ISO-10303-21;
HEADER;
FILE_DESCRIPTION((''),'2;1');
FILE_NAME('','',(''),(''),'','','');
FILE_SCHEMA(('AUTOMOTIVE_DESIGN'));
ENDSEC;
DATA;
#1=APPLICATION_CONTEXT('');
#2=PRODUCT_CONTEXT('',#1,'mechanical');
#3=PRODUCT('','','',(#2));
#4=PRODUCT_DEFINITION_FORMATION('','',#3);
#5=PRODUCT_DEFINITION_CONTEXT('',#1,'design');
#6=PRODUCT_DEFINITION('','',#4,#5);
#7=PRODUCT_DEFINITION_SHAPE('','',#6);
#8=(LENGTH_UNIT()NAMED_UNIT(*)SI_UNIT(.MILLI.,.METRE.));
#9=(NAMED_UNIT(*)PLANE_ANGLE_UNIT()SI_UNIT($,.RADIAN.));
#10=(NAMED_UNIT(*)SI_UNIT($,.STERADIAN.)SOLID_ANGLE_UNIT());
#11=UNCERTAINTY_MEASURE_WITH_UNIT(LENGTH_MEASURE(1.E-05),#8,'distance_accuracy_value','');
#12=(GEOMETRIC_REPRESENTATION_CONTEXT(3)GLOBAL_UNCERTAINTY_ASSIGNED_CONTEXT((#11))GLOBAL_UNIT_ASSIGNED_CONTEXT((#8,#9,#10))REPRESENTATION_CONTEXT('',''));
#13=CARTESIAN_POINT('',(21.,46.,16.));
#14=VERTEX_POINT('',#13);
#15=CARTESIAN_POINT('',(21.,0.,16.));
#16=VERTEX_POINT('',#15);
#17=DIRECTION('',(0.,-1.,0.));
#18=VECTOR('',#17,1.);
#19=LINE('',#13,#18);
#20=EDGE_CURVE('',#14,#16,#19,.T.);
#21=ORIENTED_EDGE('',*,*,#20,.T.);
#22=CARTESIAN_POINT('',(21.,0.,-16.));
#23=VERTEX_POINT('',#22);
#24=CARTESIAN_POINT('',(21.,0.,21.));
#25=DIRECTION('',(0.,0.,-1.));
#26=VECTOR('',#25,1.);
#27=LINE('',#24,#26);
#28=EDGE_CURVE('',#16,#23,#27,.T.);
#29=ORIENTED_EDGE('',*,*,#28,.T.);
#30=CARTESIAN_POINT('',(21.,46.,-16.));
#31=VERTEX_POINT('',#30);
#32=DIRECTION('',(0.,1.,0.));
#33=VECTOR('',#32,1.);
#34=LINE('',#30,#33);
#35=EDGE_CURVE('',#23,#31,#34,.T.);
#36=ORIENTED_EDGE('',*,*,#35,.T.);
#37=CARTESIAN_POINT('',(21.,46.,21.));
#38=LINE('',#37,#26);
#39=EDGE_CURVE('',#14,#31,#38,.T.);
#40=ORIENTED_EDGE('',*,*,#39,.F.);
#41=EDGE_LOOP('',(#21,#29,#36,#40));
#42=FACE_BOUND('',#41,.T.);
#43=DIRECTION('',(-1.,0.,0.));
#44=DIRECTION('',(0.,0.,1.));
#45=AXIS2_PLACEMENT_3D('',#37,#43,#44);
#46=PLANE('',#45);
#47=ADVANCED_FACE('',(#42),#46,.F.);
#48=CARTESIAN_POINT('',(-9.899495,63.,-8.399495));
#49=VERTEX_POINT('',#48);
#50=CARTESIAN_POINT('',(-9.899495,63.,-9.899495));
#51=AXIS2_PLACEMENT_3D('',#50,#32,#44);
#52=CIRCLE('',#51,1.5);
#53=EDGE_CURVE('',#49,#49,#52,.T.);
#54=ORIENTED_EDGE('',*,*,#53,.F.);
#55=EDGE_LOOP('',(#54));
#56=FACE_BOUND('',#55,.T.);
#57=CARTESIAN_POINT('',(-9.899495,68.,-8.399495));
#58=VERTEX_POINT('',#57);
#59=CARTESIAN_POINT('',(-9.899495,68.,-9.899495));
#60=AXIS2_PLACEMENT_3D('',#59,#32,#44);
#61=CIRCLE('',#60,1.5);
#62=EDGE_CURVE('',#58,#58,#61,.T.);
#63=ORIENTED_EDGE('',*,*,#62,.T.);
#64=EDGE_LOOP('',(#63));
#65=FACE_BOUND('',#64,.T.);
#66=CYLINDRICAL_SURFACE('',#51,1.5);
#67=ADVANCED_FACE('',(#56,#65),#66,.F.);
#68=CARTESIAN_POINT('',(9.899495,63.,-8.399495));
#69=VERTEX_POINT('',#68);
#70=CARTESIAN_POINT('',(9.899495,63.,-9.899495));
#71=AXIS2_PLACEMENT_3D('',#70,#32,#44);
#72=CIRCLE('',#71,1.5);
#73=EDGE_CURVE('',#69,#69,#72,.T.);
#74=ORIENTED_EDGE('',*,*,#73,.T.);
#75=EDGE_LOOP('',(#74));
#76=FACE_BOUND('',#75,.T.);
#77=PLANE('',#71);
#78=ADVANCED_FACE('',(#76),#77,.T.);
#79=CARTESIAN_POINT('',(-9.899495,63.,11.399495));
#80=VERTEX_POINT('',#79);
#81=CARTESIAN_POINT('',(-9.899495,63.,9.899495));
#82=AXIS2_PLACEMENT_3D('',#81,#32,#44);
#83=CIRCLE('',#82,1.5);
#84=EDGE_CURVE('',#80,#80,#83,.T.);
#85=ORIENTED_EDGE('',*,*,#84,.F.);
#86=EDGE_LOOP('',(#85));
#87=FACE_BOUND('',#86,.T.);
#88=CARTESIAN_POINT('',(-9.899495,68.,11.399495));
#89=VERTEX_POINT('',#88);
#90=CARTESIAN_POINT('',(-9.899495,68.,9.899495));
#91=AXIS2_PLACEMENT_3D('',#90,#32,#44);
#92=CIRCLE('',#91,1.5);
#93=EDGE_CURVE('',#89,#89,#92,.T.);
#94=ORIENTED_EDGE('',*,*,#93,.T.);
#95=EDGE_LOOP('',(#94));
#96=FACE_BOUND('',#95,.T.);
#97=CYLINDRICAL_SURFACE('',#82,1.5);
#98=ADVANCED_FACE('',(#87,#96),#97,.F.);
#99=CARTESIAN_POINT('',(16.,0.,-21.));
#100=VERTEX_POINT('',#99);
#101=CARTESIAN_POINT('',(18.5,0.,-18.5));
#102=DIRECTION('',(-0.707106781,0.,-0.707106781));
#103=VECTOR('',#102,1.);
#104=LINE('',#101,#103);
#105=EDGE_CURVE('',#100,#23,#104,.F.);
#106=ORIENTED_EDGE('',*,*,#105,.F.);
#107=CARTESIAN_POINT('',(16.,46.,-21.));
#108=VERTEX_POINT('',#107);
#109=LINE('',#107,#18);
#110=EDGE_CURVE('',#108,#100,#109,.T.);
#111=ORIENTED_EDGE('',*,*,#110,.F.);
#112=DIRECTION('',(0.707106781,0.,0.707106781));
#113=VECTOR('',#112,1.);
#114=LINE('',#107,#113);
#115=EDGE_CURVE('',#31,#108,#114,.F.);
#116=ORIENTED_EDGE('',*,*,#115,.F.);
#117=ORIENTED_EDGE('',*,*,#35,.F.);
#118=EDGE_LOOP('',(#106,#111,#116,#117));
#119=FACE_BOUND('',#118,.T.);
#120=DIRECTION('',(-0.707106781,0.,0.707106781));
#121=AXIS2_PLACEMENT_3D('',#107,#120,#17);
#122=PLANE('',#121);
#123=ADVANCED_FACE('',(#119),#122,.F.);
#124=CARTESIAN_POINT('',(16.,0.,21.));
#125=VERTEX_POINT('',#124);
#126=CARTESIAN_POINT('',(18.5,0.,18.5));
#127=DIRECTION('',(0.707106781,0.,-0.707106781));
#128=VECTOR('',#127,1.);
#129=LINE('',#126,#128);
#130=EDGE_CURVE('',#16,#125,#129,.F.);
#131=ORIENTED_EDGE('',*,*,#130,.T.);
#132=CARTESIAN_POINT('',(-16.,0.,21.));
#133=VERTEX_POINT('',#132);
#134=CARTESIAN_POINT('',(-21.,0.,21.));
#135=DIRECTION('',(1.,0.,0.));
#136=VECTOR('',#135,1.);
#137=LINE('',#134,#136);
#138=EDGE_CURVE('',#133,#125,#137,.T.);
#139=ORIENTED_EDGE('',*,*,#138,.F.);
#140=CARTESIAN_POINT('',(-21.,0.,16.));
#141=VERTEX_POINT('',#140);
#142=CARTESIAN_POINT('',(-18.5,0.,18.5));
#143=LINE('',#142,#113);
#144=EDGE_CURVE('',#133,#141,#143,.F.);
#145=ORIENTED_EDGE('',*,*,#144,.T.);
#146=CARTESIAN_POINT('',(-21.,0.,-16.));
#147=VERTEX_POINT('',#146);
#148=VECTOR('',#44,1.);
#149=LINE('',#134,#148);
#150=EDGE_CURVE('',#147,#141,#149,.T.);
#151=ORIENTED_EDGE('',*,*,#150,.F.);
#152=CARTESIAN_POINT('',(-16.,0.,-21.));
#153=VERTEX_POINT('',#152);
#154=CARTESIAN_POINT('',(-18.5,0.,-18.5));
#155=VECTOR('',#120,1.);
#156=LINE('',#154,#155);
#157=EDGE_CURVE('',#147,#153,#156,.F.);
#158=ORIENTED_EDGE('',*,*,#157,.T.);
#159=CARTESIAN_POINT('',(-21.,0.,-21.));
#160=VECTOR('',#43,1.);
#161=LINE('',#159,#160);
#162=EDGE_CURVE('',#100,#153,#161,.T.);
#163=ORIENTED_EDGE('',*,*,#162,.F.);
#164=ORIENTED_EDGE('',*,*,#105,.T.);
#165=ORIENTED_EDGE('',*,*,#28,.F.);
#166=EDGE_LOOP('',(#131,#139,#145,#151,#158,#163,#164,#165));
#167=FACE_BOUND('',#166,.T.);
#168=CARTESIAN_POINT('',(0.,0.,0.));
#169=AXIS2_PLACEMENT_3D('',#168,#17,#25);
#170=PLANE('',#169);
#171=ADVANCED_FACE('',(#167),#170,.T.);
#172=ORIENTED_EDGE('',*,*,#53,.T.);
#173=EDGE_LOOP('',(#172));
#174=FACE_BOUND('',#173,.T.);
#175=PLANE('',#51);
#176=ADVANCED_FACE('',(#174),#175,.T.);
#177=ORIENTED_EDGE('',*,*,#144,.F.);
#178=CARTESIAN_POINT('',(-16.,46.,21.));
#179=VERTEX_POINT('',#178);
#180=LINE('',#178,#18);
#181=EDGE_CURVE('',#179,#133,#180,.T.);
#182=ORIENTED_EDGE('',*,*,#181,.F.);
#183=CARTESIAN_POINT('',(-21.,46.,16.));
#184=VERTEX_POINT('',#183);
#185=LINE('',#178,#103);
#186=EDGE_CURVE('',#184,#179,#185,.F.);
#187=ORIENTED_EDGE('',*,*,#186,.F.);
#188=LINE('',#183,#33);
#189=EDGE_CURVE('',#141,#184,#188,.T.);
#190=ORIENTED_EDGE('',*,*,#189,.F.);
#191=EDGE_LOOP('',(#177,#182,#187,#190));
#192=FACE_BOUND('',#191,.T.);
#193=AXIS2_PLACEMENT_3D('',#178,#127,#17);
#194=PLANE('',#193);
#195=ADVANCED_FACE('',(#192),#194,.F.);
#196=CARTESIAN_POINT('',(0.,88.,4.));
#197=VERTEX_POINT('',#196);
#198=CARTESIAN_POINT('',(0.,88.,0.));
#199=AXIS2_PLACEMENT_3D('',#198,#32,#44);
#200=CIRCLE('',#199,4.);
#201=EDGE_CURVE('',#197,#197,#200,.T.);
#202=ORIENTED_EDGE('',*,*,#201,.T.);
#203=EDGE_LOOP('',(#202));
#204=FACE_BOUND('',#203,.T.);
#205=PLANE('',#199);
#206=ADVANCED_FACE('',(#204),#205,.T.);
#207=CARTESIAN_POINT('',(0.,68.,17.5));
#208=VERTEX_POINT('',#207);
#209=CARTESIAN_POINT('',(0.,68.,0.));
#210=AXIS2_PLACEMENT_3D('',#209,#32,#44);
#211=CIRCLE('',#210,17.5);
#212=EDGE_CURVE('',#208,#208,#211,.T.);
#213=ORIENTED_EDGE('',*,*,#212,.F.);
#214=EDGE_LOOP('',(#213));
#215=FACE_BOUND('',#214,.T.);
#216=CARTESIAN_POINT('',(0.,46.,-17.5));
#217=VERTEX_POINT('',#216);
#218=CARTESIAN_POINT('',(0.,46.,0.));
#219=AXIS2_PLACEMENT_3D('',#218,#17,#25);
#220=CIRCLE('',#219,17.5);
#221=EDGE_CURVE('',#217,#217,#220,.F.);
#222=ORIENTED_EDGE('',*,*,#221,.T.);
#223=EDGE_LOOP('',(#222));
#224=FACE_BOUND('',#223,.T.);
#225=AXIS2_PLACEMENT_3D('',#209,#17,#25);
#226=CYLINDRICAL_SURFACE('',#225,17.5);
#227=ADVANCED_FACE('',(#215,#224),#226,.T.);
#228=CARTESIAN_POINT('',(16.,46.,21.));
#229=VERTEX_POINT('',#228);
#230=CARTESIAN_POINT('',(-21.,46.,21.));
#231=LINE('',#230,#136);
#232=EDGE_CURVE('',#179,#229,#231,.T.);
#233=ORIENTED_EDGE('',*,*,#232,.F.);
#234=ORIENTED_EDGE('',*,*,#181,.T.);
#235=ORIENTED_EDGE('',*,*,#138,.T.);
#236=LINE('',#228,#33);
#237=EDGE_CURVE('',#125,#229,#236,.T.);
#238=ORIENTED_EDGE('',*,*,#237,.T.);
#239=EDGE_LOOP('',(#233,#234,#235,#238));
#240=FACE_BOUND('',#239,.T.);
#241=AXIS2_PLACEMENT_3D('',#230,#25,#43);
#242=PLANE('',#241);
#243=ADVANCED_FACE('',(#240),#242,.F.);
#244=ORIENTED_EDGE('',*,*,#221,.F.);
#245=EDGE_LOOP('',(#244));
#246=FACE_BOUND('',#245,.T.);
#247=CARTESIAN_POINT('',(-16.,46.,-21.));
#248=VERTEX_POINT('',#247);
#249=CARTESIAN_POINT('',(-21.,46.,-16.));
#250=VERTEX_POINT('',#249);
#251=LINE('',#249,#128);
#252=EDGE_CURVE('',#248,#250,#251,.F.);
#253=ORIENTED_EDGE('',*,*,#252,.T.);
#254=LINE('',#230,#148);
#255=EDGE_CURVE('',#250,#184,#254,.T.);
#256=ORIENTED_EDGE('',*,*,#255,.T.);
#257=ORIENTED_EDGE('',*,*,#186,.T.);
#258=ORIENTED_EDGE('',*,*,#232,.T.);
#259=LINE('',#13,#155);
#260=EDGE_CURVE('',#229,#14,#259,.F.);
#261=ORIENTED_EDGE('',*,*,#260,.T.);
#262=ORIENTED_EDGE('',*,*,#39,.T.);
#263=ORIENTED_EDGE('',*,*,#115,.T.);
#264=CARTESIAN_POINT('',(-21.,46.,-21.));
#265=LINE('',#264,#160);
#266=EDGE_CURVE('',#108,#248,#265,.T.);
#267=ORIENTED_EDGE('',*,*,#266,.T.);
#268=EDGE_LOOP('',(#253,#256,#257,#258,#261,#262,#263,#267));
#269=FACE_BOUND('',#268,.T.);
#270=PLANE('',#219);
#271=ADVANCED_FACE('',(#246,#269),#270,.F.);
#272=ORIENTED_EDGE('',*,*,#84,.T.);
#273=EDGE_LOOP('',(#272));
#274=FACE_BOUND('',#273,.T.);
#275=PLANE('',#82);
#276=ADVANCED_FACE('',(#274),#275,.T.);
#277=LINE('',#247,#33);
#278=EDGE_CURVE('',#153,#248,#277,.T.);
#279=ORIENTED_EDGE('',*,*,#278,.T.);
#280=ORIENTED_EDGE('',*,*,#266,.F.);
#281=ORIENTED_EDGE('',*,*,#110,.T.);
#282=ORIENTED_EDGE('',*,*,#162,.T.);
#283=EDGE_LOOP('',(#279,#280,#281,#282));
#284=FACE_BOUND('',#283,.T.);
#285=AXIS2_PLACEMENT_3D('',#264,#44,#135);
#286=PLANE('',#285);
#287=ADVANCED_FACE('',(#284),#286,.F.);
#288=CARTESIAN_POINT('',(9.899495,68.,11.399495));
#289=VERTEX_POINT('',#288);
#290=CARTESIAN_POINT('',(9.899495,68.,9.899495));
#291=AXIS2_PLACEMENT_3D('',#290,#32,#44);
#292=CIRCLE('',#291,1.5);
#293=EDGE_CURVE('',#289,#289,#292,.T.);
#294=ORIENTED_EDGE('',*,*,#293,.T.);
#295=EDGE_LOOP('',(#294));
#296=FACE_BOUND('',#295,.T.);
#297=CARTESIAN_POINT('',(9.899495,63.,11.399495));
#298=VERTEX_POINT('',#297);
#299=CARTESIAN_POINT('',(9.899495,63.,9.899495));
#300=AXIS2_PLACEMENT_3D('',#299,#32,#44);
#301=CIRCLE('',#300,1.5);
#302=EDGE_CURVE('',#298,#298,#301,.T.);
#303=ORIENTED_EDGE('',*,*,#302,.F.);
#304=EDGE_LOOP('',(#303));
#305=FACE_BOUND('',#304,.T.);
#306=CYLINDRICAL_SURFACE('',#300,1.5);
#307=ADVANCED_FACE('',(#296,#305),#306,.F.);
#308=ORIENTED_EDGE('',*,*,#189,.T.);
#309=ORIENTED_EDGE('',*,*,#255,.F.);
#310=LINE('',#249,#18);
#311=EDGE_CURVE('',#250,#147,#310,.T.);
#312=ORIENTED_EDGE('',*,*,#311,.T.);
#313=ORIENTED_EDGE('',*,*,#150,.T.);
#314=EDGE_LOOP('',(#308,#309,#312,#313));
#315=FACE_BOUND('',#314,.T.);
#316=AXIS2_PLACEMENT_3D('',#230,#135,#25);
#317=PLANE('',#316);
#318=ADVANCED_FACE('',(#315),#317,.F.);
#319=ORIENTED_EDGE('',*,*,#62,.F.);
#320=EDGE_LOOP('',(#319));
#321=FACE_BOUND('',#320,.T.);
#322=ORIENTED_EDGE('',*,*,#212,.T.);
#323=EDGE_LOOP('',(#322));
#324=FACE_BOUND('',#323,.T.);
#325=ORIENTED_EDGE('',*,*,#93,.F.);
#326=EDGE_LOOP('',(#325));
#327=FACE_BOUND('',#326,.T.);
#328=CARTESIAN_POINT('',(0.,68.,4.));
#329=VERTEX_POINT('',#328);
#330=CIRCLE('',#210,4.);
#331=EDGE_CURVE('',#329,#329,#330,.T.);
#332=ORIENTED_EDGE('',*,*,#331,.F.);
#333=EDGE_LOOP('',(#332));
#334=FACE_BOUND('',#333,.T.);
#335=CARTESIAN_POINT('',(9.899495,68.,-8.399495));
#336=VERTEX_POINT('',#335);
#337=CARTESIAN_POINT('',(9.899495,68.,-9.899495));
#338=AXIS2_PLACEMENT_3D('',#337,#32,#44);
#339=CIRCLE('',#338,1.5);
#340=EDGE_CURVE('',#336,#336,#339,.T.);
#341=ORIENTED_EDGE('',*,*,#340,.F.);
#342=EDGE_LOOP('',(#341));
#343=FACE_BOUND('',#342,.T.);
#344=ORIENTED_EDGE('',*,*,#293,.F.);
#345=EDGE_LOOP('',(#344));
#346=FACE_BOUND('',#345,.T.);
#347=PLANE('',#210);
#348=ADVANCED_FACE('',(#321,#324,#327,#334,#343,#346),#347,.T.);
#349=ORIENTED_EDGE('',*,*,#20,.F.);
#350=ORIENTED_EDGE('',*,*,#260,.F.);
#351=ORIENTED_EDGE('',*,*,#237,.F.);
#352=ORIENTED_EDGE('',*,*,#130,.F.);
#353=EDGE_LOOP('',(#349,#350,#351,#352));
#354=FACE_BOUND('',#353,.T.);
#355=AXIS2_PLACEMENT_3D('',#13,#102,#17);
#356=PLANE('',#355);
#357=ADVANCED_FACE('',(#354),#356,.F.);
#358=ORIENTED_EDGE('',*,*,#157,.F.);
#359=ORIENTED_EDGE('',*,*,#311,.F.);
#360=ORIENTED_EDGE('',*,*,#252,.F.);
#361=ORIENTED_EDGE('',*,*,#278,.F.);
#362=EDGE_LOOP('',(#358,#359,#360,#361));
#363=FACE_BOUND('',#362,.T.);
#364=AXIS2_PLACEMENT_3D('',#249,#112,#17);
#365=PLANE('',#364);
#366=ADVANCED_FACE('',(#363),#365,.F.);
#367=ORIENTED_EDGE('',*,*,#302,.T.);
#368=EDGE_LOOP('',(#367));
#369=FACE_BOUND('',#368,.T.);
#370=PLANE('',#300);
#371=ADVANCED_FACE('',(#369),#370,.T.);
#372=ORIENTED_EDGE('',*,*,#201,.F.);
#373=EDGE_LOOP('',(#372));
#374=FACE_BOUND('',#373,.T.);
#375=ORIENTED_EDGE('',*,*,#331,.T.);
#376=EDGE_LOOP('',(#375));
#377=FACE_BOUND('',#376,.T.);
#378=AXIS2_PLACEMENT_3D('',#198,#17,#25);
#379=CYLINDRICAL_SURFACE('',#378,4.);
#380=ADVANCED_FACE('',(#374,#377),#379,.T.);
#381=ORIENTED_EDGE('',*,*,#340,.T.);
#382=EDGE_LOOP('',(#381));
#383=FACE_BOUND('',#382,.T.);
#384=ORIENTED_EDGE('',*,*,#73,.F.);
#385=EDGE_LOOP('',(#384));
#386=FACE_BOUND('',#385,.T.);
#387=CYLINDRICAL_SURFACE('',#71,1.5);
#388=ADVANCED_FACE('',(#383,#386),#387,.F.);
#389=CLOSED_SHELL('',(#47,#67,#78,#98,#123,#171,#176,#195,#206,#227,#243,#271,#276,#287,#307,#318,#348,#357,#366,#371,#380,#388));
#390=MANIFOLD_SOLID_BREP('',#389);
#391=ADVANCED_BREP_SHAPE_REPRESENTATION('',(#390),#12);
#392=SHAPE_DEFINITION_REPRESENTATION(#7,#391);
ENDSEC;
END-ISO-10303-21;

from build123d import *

# Parameters (mm, degrees)
SKETCH1_W           = 42
SKETCH1_H           = 42
BOSS_EXTRUDE1_DEPTH = 46
CHAMFER1_SIZE       = 5
SKETCH5_R           = 17.5
BOSS_EXTRUDE4_DEPTH = 22
SKETCH6_R           = 4
BOSS_EXTRUDE5_DEPTH = 20
SKETCH7_R           = 1.5
CUT_EXTRUDE2_DEPTH  = 5


with BuildPart() as part:
    # Sketch1 → Boss-Extrude1 (new body)
    with BuildSketch(Plane(origin=(0, 0, 0), x_dir=(1, 0, 0), z_dir=(0, 1, 0))):
        Rectangle(SKETCH1_W, SKETCH1_H)
    extrude(amount=BOSS_EXTRUDE1_DEPTH)

    # Chamfer1
    chamfer1_edges = [part.edges().sort_by_distance(p)[0] for p in [
        (21, 23, 21),
        (-21, 23, 21),
        (-21, 23, -21),
        (21, 23, -21),
    ]]
    chamfer(chamfer1_edges, length=CHAMFER1_SIZE)

    # Sketch5 → Boss-Extrude4 (add)
    with BuildSketch(Plane(origin=(0, 46, 0), x_dir=(1, 0, 0), z_dir=(0, 1, 0))):
        with Locations(Location((0, 0, 0), (0, 0, 90))):
            Circle(SKETCH5_R)
    extrude(amount=BOSS_EXTRUDE4_DEPTH)

    # Sketch6 → Boss-Extrude5 (add)
    with BuildSketch(Plane(origin=(0, 68, 0), x_dir=(1, 0, 0), z_dir=(0, 1, 0))):
        with Locations(Location((0, 0, 0), (0, 0, 270))):
            Circle(SKETCH6_R)
    extrude(amount=BOSS_EXTRUDE5_DEPTH)

    # Sketch7 → Cut-Extrude2 (cut)
    with BuildSketch(Plane(origin=(0, 68, 0), x_dir=(1, 0, 0), z_dir=(0, 1, 0))):
        with Locations(Location((-9.899494937, 9.899494937, 0), (0, 0, 270))):
            Circle(SKETCH7_R)
        with Locations(Location((9.899494937, 9.899494937, 0), (0, 0, 270))):
            Circle(SKETCH7_R)
        with Locations(Location((9.899494937, -9.899494937, 0), (0, 0, 270))):
            Circle(SKETCH7_R)
        with Locations(Location((-9.899494937, -9.899494937, 0), (0, 0, 270))):
            Circle(SKETCH7_R)
    extrude(amount=-CUT_EXTRUDE2_DEPTH, mode=Mode.SUBTRACT)


solid = part.part
